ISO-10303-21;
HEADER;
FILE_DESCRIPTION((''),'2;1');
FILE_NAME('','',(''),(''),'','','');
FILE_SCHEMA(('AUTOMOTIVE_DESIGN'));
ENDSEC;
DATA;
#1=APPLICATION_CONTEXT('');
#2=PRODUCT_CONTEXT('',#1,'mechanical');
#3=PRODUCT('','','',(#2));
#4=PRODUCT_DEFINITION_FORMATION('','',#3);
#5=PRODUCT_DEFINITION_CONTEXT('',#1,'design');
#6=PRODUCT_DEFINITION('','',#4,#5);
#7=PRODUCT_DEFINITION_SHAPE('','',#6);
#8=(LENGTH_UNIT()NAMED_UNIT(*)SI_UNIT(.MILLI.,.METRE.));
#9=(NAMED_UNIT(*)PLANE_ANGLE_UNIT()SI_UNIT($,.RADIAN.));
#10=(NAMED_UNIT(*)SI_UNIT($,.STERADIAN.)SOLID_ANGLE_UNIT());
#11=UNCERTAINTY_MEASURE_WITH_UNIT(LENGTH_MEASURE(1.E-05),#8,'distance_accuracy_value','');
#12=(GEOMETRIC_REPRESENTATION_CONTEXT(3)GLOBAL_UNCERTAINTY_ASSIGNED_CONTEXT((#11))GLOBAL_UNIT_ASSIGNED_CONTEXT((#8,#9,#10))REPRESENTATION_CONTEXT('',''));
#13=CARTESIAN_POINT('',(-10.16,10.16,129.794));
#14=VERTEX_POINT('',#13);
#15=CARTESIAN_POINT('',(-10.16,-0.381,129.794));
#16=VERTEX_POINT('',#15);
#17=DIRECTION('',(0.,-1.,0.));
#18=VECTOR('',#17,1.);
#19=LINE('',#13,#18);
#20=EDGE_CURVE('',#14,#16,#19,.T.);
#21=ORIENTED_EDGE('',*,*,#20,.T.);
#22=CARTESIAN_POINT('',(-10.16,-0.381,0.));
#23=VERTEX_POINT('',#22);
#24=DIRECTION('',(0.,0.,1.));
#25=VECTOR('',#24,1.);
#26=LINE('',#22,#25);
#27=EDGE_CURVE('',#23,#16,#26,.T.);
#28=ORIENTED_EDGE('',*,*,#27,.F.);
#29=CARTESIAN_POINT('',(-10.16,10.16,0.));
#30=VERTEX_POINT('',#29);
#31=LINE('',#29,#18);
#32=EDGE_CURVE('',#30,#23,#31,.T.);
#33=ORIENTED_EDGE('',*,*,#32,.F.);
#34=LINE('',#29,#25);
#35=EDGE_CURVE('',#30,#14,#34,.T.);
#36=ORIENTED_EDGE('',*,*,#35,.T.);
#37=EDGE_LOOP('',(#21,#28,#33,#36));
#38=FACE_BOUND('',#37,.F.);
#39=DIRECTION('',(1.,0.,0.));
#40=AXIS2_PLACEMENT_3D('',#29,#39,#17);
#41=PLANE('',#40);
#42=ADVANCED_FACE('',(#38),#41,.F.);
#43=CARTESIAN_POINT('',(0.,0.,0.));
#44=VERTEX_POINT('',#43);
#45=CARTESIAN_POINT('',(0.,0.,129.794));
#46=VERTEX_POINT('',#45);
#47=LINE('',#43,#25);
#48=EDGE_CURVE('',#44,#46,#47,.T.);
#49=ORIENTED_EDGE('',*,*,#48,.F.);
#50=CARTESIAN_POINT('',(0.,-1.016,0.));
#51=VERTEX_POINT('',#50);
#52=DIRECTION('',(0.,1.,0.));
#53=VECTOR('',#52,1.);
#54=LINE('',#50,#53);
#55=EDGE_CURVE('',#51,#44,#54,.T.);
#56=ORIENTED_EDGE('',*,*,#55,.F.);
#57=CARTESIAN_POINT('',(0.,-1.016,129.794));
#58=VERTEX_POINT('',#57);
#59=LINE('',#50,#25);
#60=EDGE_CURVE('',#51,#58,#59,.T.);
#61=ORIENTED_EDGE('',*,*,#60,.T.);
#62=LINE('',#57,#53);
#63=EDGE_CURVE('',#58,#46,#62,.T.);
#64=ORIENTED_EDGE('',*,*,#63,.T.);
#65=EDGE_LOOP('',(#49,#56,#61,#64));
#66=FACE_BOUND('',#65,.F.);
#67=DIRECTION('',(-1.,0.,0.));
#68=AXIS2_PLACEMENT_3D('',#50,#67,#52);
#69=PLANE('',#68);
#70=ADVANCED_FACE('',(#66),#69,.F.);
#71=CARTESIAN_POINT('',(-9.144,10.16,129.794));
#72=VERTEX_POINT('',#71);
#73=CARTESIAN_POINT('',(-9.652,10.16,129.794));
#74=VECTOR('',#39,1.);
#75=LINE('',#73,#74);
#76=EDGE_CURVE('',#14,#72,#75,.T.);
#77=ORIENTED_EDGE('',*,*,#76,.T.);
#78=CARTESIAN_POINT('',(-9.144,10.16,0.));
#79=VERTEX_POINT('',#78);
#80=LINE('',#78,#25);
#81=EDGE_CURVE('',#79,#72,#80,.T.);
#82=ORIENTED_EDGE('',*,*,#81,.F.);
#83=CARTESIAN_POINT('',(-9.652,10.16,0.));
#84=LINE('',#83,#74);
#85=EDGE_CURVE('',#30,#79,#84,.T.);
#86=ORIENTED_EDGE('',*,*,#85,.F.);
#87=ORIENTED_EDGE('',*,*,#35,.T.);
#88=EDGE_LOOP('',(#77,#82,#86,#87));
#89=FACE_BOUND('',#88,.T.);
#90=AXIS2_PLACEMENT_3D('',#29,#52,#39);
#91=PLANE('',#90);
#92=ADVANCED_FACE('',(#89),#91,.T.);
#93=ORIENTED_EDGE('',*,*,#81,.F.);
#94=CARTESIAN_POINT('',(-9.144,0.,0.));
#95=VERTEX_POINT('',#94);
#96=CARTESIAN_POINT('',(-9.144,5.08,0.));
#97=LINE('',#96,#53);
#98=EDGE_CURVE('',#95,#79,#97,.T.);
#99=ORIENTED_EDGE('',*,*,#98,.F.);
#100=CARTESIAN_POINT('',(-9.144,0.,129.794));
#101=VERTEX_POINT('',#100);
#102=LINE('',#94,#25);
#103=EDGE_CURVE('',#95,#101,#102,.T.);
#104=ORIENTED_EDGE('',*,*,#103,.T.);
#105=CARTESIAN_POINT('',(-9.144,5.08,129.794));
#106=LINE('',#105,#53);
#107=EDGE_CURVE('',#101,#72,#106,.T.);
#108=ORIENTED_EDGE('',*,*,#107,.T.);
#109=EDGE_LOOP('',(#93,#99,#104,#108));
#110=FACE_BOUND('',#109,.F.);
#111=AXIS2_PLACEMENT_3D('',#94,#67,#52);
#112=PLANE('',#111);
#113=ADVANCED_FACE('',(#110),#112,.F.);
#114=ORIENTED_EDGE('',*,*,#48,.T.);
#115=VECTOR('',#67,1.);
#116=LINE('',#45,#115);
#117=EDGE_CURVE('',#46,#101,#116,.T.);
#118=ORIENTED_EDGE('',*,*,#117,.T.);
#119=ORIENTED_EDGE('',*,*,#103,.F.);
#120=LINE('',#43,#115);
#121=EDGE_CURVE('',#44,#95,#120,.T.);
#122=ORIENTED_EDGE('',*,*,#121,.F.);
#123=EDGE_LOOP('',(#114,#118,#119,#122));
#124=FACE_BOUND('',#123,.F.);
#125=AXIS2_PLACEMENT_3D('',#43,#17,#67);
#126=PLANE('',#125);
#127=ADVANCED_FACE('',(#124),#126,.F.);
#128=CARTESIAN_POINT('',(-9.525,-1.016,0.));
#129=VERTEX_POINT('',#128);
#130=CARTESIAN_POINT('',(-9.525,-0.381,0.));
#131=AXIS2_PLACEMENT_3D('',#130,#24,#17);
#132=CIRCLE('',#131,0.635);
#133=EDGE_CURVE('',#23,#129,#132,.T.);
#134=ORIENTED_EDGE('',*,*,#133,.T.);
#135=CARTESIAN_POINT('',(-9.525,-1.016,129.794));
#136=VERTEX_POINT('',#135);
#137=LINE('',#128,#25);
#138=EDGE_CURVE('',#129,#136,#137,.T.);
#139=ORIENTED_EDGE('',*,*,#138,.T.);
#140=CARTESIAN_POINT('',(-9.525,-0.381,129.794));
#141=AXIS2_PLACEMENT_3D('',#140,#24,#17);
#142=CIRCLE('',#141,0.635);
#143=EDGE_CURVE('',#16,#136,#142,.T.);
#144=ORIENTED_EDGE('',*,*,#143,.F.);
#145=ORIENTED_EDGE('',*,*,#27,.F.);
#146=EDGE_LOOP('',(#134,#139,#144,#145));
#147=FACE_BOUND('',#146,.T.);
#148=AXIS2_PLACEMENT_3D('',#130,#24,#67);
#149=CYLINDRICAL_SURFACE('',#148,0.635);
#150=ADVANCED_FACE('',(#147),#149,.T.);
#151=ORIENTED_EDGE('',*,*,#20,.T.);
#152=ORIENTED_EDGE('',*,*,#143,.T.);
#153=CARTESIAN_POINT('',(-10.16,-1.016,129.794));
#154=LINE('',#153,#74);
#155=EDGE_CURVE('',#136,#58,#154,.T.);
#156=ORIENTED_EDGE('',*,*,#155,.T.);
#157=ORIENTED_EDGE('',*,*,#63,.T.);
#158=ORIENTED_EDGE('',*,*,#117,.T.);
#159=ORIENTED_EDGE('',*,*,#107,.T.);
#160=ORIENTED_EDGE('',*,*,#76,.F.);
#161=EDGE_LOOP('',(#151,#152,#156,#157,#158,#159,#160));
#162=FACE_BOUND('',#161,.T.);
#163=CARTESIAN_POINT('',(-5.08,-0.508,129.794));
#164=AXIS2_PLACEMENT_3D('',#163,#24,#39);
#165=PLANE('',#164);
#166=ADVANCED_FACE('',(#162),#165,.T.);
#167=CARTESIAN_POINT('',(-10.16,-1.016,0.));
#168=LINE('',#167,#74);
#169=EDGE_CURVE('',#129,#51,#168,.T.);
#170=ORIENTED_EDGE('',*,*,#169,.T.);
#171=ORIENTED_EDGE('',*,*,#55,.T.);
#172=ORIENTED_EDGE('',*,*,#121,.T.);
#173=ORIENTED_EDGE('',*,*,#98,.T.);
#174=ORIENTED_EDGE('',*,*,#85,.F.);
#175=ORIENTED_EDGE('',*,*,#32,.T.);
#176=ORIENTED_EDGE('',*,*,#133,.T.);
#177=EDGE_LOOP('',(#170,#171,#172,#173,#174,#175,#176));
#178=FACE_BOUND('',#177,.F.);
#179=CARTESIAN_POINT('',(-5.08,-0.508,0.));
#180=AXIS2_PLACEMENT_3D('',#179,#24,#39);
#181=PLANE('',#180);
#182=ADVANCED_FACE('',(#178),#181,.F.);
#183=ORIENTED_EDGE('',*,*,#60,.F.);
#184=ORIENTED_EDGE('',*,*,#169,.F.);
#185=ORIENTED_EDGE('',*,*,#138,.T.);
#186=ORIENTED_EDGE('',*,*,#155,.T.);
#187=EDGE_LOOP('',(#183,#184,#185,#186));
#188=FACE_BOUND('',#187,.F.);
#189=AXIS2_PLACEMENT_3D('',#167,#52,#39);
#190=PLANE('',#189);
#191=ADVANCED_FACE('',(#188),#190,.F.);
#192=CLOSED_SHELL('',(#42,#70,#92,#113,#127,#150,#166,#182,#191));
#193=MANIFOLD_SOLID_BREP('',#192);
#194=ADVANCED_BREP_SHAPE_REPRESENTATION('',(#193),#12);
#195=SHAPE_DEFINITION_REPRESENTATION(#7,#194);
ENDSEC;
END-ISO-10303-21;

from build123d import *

# Parameters (mm, degrees)
F0_W     = 1.016
F0_H     = 10.16
F1_DEPTH = 129.794
F2_R     = 0.635


with BuildPart() as f1:
    # F0 (on Top) → F1 (new body)
    with BuildSketch(Plane.XY):
        Polygon((0, -1.016), (0, 0), (-9.144, 0), (-10.16, 0), (-10.16, -1.016), align=None)
        with Locations((-9.652, 5.08)):
            Rectangle(F0_W, F0_H)
    extrude(amount=F1_DEPTH)

    # F2
    f2_edges = [f1.edges().sort_by_distance(p)[0] for p in [
        (-10.16, -1.016, 64.897),
    ]]
    fillet(f2_edges, radius=F2_R)


solid = f1.part
